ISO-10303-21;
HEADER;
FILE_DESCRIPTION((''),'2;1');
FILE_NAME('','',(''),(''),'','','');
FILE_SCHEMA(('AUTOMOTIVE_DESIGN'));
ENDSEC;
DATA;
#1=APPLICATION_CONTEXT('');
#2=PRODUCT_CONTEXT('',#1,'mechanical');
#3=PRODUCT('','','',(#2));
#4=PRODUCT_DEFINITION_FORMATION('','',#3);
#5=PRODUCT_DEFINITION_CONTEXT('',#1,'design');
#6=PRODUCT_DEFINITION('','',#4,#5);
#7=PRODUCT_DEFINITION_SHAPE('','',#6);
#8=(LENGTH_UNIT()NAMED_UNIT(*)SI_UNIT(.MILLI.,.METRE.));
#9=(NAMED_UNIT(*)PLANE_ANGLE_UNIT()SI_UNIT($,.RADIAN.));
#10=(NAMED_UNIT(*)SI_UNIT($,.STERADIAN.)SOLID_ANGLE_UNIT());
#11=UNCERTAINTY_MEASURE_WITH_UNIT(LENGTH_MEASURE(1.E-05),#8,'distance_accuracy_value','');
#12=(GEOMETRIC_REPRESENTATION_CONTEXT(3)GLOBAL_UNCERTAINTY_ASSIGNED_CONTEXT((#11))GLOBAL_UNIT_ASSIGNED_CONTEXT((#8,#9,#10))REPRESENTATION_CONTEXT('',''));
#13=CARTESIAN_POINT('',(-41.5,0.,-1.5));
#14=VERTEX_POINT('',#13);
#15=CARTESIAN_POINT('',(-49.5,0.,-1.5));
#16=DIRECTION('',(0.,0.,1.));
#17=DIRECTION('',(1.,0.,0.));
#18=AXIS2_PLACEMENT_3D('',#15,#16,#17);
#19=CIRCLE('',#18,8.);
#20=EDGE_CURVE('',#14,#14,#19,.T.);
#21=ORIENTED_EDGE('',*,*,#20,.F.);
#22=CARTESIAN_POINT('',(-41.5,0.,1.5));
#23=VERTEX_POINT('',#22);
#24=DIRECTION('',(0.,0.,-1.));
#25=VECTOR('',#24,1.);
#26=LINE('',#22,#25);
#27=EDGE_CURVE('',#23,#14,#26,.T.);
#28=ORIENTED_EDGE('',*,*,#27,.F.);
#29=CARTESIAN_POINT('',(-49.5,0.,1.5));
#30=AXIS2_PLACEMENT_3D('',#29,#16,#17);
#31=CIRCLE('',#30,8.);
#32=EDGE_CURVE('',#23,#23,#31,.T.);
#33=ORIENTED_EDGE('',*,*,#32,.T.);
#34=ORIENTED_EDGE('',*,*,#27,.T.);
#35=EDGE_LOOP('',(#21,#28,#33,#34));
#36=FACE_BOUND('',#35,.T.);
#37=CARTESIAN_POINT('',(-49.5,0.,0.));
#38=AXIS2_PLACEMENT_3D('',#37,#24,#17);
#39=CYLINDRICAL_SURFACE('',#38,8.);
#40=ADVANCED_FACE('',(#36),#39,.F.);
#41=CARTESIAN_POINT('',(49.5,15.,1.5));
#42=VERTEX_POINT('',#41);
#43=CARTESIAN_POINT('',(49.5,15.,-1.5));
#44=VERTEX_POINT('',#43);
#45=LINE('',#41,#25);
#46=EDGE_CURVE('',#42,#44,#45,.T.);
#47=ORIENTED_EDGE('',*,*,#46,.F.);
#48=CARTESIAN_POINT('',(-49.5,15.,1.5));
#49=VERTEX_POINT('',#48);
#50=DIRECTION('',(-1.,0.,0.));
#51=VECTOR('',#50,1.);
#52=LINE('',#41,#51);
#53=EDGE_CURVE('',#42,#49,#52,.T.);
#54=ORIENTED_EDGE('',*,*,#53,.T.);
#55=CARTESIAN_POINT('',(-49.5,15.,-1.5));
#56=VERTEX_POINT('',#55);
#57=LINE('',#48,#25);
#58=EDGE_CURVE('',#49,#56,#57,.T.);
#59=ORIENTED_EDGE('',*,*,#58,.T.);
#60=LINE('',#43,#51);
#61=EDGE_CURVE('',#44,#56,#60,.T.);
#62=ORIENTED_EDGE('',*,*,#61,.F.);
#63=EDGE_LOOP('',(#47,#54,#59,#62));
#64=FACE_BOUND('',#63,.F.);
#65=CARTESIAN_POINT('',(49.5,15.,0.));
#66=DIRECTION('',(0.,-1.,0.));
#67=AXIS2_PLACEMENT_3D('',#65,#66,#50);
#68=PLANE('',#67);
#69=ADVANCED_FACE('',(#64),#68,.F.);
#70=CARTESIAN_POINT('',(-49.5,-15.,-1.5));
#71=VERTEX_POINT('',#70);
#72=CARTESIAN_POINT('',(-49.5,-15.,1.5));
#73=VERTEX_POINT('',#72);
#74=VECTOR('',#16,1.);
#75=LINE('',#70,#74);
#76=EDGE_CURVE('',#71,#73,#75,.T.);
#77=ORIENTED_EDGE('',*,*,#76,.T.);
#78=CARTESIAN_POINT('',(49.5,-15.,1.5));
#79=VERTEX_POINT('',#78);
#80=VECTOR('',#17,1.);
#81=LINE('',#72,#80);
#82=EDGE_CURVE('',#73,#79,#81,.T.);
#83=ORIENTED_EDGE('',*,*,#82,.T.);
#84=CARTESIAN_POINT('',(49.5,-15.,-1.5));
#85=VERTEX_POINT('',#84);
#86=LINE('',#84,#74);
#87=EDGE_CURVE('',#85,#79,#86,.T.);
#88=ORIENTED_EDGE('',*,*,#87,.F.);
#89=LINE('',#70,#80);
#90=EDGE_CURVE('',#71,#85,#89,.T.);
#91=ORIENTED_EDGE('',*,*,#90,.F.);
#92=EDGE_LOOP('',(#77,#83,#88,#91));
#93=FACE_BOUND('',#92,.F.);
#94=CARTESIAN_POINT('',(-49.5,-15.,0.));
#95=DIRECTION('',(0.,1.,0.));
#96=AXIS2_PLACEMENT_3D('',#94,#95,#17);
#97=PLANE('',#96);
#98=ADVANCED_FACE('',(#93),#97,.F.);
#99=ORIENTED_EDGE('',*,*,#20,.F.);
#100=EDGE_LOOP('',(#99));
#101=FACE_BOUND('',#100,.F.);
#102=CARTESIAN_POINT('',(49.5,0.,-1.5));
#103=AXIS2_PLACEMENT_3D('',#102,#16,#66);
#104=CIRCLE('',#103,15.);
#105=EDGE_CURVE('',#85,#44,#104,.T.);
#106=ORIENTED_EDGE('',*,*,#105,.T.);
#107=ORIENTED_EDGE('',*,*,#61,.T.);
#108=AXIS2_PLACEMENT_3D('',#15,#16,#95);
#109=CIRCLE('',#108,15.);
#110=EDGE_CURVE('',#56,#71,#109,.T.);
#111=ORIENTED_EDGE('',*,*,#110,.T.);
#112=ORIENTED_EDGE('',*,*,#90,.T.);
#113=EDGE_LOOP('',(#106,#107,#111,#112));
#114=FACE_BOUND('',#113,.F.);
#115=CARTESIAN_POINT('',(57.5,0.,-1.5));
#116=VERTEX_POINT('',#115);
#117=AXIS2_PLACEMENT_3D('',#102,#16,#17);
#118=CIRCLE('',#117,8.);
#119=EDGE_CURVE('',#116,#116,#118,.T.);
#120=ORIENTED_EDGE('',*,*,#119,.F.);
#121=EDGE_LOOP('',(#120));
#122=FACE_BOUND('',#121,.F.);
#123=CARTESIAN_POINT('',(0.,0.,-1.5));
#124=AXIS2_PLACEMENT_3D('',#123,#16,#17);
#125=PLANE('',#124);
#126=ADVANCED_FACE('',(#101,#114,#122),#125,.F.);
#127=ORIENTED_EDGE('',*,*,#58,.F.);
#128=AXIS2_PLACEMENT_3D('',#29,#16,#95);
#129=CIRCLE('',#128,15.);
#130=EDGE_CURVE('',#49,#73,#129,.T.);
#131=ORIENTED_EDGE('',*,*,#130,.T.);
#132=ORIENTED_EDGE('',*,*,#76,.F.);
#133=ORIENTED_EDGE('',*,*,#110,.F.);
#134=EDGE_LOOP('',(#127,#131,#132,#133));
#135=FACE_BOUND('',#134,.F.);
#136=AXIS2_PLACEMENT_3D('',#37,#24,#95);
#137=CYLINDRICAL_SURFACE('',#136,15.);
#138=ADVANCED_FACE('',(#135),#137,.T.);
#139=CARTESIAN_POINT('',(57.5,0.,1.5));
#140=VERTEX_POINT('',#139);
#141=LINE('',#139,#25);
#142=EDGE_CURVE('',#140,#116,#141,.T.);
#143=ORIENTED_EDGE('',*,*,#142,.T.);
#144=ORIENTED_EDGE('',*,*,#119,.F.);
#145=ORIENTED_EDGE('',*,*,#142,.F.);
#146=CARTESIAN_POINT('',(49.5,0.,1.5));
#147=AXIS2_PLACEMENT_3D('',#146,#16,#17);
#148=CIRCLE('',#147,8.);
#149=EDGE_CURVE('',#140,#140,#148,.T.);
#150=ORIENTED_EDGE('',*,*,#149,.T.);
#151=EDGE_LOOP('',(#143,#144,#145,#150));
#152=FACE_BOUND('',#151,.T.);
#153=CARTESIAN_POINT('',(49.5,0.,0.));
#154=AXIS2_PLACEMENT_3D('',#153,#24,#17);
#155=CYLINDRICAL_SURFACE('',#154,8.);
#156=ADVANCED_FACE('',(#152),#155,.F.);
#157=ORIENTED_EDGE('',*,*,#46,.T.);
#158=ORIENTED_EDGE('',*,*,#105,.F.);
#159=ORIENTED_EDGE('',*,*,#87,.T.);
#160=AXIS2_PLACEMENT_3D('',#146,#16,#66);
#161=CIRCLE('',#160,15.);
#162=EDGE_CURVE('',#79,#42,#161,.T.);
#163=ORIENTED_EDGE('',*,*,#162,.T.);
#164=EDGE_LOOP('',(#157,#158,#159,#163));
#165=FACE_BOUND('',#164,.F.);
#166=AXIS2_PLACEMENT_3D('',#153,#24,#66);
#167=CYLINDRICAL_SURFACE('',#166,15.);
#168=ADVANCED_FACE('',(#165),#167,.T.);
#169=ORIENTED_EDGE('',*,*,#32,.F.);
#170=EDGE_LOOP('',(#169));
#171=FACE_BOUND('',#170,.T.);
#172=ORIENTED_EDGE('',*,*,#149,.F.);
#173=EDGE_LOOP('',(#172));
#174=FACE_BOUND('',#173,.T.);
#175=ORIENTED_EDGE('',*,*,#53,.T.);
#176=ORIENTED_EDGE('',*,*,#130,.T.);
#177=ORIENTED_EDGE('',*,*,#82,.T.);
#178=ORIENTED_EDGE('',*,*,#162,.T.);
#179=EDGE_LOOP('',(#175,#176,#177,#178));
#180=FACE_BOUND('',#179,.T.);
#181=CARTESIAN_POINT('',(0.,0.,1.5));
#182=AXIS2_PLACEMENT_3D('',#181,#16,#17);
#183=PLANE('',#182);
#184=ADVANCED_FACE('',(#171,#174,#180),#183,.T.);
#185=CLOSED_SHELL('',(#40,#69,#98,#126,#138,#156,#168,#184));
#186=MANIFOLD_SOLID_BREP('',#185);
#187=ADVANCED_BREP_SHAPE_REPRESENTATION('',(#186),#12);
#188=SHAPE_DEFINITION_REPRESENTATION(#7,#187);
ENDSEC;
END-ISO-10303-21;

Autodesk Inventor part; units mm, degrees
ref_plane "YZ Plane" through (0, 0, 0) normal (1, 0, 0) x (0, 1, 0)
ref_plane "XZ Plane" through (0, 0, 0) normal (0, 1, 0) x (-1, 0, 0)
ref_plane "XY Plane" through (0, 0, 0) normal (0, 0, 1) x (1, 0, 0)
sketch "Esboço1" plane through (0, 0, 0) normal (0, 0, 1) x (1, 0, 0)
  line L0 (-49.5, 0) -> (49.5, 0) construction
  line L1 (-49.5, -15) -> (49.5, -15)
  line L2 (49.5, 15) -> (-49.5, 15)
  arc A0 (-49.5, 15) -> (-49.5, -15) centre (-49.5, 0) ccw
  arc A1 (49.5, -15) -> (49.5, 15) centre (49.5, 0) ccw
  circle A2 centre (-49.5, 0) radius 8
  circle A3 centre (49.5, 0) radius 8
  point P0 (0, 0)
  dimension "d0" = 16
  dimension "d1" = 99
  dimension "d4" = 30
extrude "Extrusão1" add sketch "Esboço1" along normal mid plane 3
sketch "Esboço2" plane through (0, 0, 1.5) normal (0, 0, 1) x (1, 0, 0)
  circle A0 centre (-49.5, 0) radius 8 projected
  circle A1 centre (49.5, 0) radius 8 projected
  line L0 (-49.5, 0) -> (49.5, 0)
  line L1 (0, 0) -> (0, -34.993)
properties part number "Chapa - Aperto fixação"
